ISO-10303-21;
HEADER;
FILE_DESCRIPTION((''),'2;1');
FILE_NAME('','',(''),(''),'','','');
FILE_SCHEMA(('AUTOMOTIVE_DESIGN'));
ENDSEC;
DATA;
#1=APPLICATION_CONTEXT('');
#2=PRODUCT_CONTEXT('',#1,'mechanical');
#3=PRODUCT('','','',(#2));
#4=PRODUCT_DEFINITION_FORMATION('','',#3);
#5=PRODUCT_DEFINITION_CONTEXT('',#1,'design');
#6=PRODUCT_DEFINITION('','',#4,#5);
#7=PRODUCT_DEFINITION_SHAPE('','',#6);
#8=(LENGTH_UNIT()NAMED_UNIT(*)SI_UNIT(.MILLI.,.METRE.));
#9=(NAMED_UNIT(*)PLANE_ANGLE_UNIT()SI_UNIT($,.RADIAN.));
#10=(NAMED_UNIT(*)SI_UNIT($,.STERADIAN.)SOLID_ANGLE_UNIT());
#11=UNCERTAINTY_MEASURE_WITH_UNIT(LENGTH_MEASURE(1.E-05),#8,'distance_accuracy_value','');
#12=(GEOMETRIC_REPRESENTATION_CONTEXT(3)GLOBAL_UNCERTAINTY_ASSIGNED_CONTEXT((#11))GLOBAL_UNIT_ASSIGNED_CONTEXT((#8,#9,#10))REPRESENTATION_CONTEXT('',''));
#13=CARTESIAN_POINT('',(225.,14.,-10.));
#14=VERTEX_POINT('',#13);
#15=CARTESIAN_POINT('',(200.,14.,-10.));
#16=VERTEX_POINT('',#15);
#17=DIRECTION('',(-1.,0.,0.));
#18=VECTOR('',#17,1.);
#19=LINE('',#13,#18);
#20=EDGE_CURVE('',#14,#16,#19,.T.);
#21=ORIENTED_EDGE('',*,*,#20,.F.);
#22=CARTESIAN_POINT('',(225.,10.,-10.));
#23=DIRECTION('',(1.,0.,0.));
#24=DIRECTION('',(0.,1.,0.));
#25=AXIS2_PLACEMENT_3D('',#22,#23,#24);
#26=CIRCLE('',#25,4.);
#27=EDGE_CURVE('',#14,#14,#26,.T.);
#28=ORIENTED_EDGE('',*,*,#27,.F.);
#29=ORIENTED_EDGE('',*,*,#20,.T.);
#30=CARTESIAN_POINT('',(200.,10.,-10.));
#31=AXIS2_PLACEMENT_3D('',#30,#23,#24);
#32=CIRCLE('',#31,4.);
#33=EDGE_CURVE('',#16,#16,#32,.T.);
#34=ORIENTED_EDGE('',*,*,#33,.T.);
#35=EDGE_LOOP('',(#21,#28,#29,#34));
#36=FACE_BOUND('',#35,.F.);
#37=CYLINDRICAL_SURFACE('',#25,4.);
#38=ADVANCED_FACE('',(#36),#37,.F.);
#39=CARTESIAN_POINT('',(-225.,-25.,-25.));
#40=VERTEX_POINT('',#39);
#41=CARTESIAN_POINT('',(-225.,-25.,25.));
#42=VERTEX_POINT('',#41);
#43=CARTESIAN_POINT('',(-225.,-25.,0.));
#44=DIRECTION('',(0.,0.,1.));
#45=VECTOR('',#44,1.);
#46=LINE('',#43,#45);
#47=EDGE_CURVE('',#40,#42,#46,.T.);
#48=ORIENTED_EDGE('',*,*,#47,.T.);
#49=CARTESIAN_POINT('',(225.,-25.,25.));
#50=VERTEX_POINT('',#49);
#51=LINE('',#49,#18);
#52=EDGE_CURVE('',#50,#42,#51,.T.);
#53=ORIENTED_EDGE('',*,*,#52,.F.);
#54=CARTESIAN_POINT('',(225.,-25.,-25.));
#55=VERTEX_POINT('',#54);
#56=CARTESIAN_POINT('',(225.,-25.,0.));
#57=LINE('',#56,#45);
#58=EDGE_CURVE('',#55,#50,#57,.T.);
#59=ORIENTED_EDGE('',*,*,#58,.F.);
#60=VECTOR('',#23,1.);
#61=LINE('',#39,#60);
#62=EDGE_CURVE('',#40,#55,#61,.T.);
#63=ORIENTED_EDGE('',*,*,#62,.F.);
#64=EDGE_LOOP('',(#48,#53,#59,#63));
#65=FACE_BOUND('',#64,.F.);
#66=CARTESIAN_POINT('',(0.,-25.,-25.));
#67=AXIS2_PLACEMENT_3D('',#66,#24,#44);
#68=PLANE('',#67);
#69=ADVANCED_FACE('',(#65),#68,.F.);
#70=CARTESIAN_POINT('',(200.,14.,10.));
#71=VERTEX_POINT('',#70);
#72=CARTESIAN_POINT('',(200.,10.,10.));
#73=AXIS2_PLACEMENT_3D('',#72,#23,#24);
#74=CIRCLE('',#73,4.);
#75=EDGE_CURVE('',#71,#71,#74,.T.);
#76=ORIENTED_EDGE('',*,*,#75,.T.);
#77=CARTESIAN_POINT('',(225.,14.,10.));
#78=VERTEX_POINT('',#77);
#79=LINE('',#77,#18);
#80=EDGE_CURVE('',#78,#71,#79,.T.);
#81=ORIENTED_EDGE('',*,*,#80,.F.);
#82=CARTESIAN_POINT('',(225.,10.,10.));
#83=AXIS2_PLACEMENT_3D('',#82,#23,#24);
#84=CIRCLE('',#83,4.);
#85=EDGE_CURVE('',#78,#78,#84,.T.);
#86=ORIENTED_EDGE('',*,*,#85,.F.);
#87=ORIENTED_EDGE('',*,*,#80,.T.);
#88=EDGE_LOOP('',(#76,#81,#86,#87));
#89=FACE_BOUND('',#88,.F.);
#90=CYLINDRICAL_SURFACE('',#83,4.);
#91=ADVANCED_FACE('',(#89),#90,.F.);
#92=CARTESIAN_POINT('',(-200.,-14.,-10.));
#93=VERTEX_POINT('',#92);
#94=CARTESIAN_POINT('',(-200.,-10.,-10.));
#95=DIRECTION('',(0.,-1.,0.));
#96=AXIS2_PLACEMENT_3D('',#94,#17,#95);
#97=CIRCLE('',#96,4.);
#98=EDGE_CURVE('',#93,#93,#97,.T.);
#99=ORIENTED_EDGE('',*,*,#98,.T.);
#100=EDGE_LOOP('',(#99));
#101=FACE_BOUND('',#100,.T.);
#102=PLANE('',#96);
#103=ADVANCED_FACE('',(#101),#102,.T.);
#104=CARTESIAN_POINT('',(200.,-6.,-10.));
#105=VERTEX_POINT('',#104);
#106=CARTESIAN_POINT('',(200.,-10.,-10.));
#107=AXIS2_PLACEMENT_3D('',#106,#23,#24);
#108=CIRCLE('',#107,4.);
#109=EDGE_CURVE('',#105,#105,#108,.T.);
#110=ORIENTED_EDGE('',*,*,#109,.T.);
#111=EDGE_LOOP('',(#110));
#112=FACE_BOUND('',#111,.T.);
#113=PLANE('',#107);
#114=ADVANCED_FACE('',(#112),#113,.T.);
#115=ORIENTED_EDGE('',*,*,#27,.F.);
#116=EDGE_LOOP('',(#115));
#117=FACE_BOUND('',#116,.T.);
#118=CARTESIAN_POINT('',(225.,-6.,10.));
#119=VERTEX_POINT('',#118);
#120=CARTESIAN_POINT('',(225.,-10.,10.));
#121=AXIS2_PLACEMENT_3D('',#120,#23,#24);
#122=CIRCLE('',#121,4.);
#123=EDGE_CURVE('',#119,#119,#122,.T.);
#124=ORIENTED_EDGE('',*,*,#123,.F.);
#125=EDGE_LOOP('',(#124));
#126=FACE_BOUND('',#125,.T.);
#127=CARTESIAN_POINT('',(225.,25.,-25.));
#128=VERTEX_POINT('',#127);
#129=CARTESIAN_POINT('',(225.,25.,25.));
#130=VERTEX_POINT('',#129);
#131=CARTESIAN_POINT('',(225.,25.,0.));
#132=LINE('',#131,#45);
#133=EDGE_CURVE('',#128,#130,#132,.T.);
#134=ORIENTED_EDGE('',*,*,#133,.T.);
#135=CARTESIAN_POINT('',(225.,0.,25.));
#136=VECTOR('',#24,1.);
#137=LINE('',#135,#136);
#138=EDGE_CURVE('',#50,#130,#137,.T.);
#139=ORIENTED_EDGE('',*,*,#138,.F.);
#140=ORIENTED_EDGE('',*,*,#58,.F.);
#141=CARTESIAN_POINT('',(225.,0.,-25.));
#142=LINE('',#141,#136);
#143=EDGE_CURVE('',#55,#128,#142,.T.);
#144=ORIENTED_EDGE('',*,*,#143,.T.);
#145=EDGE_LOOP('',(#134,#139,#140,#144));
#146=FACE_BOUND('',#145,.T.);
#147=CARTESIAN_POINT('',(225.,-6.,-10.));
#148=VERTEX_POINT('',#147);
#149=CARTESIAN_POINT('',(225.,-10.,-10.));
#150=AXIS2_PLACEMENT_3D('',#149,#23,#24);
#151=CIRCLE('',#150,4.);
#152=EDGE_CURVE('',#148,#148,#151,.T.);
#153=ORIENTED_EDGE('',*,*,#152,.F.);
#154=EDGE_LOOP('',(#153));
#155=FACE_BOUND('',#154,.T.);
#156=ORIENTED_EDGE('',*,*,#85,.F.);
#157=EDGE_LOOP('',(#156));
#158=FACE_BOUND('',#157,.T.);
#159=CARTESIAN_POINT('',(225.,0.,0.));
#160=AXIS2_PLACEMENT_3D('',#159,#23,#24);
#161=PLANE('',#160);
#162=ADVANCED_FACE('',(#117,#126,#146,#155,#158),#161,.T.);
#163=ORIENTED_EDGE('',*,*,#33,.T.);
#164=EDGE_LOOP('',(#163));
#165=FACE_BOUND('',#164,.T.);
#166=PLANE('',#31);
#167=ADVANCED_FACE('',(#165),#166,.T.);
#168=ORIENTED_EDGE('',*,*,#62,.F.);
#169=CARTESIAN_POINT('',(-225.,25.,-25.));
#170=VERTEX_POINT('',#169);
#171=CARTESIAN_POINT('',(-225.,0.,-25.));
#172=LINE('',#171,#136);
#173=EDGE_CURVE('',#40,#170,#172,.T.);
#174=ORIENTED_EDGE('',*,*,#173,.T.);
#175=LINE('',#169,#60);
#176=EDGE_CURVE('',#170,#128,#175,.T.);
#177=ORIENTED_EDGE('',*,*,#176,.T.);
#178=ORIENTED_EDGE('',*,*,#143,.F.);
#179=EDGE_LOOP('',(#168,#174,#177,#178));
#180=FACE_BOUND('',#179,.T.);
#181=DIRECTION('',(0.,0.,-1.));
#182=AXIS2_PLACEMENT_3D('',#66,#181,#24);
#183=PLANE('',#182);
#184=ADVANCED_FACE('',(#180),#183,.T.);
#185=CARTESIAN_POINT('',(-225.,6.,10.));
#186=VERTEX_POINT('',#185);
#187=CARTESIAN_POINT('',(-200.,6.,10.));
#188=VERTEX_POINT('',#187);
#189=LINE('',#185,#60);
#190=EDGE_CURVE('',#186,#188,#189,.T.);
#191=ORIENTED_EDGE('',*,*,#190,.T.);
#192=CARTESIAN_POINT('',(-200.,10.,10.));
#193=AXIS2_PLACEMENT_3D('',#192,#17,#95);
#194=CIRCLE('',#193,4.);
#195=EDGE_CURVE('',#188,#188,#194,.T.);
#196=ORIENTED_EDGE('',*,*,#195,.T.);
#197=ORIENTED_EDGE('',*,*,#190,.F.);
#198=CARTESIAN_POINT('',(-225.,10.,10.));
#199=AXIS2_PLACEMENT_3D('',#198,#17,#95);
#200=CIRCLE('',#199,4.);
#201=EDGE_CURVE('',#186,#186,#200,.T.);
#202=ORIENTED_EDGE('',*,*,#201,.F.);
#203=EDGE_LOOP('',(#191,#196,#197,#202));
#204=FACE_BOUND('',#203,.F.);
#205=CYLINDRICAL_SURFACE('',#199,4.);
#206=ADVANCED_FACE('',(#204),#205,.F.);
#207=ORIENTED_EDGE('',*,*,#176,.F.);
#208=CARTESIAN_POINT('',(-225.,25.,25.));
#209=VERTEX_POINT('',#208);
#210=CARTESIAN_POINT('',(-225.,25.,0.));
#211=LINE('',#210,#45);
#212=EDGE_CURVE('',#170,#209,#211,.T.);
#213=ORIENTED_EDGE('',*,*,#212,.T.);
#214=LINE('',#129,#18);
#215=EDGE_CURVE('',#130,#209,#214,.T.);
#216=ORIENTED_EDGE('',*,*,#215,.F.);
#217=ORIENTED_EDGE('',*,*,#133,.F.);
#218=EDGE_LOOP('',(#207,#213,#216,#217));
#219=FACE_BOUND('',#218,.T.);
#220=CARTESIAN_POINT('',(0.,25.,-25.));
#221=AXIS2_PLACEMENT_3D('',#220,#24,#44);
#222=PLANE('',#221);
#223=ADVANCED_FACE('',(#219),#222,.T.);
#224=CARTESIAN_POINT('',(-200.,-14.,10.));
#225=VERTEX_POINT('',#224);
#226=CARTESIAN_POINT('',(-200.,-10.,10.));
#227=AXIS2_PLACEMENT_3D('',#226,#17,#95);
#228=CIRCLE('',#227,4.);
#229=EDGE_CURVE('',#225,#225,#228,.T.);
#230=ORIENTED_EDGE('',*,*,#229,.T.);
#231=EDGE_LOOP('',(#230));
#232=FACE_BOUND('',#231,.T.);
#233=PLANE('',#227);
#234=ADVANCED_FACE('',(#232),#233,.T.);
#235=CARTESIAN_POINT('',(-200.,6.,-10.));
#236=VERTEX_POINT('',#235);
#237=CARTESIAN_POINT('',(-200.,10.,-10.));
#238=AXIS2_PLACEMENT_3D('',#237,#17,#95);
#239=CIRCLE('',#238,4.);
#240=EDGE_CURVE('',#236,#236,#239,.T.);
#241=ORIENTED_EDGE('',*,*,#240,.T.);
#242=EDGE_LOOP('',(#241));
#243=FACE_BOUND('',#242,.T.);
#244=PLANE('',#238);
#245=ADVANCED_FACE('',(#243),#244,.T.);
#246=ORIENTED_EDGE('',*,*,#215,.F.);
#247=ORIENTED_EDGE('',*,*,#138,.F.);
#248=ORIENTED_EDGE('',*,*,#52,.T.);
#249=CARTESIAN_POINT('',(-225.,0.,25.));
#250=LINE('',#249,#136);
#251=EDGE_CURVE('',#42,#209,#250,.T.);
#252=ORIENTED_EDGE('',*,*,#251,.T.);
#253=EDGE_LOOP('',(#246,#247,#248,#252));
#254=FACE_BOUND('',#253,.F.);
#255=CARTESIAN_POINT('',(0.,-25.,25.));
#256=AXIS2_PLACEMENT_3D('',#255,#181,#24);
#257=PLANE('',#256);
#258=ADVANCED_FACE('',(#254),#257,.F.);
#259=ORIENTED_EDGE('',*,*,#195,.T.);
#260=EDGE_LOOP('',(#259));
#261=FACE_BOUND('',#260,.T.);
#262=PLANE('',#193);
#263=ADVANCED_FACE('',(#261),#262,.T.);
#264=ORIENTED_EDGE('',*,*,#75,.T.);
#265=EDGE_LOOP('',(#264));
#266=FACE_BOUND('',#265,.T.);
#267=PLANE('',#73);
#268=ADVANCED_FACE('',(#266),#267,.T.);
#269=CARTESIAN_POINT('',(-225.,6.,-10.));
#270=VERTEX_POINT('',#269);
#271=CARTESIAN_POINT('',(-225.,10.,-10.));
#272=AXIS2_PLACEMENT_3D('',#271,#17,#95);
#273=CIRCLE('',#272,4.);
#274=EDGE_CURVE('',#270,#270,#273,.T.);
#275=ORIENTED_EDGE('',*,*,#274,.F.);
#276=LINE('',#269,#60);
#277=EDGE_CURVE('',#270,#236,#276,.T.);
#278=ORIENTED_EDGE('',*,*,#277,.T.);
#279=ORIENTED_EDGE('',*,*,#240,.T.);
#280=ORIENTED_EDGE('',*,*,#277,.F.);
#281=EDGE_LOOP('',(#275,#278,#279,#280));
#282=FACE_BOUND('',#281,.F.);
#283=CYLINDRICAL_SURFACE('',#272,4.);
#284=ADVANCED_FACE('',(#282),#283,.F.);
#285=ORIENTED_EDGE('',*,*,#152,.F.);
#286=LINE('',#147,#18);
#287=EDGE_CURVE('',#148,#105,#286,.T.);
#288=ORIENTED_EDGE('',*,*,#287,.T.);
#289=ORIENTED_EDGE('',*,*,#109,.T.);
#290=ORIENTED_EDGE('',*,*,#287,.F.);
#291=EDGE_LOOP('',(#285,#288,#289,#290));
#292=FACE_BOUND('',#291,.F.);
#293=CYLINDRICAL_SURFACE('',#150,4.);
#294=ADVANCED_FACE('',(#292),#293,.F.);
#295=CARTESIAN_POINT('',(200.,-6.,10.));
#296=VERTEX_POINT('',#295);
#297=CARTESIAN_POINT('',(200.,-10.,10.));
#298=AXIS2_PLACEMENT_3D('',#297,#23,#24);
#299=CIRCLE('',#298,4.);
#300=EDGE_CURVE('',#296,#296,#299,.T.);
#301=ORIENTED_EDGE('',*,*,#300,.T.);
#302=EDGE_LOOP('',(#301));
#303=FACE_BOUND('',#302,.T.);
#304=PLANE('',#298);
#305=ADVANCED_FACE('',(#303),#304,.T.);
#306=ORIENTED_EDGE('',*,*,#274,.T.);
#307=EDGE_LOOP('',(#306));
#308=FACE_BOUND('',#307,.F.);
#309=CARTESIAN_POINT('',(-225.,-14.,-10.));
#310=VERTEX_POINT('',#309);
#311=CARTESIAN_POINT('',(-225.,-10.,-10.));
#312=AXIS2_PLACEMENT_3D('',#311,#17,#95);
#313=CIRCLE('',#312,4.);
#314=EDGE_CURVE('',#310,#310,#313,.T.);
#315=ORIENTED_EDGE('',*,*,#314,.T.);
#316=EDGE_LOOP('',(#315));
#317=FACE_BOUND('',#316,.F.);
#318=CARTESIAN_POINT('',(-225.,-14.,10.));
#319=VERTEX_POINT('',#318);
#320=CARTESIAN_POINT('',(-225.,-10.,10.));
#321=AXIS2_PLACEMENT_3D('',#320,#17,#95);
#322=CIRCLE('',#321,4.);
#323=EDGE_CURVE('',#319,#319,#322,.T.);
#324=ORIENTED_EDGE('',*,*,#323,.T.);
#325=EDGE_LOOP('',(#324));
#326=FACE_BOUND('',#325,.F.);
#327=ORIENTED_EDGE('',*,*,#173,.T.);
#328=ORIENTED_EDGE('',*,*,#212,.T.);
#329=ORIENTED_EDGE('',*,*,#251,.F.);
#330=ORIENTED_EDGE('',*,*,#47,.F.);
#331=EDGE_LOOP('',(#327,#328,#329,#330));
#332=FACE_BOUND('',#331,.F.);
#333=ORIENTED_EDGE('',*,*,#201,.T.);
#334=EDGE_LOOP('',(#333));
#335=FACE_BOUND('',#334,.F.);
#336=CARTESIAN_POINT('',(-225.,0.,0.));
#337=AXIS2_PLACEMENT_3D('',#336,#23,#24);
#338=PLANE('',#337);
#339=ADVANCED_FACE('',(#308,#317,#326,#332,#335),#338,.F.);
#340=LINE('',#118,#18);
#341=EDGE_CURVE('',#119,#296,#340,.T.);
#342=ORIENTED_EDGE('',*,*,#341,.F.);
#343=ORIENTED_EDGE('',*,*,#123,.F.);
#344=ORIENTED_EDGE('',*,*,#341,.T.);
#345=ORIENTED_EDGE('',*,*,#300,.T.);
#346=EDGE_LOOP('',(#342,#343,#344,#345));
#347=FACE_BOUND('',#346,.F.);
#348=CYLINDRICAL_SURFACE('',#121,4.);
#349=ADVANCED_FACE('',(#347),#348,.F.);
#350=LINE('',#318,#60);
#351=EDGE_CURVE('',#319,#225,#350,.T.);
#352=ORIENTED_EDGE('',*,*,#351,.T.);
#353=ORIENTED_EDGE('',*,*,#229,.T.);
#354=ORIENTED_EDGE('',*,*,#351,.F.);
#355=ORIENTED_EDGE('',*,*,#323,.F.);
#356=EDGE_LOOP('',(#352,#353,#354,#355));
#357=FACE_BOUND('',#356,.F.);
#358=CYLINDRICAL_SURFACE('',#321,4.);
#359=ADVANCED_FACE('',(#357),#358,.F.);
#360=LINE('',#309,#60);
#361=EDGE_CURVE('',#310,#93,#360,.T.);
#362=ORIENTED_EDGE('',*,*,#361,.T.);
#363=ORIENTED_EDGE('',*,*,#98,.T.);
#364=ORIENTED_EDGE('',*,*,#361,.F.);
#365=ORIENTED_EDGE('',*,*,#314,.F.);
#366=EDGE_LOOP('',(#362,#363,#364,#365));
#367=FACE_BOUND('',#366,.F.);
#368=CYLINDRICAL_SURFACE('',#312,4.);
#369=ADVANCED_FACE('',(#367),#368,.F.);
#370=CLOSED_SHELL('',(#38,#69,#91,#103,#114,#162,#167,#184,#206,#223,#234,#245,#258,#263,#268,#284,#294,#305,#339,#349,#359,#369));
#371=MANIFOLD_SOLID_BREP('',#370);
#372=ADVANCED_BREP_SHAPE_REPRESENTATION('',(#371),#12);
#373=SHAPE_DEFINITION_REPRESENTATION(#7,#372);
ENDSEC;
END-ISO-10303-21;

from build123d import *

# Parameters (mm, degrees)
F0_W     = 50
F0_H     = 50
F1_DEPTH = 225
F2_R     = 4
F3_DEPTH = 25
F4_R     = 4
F5_DEPTH = 25


with BuildPart() as f1:
    # F0 (on Right) → F1 (new body, symmetric)
    with BuildSketch(Plane.YZ):
        Rectangle(F0_W, F0_H)
    extrude(amount=F1_DEPTH, both=True)

    # F2 (on face) → F3 (cut)
    with BuildSketch(Plane.YZ.offset(225)):
        with Locations((-10, 10)):
            Circle(F2_R)
        with Locations((10, 10)):
            Circle(F2_R)
        with Locations((10, -10)):
            Circle(F2_R)
        with Locations((-10, -10)):
            Circle(F2_R)
    extrude(amount=-F3_DEPTH, mode=Mode.SUBTRACT)

    # F4 (on face) → F5 (cut)
    with BuildSketch(Plane(origin=(-225, 0, 0), x_dir=(0, -1, 0), z_dir=(-1, 0, 0))):
        with Locations((-10, 10)):
            Circle(F4_R)
        with Locations((10, 10)):
            Circle(F4_R)
        with Locations((10, -10)):
            Circle(F4_R)
        with Locations((-10, -10)):
            Circle(F4_R)
    extrude(amount=-F5_DEPTH, mode=Mode.SUBTRACT)


solid = f1.part
